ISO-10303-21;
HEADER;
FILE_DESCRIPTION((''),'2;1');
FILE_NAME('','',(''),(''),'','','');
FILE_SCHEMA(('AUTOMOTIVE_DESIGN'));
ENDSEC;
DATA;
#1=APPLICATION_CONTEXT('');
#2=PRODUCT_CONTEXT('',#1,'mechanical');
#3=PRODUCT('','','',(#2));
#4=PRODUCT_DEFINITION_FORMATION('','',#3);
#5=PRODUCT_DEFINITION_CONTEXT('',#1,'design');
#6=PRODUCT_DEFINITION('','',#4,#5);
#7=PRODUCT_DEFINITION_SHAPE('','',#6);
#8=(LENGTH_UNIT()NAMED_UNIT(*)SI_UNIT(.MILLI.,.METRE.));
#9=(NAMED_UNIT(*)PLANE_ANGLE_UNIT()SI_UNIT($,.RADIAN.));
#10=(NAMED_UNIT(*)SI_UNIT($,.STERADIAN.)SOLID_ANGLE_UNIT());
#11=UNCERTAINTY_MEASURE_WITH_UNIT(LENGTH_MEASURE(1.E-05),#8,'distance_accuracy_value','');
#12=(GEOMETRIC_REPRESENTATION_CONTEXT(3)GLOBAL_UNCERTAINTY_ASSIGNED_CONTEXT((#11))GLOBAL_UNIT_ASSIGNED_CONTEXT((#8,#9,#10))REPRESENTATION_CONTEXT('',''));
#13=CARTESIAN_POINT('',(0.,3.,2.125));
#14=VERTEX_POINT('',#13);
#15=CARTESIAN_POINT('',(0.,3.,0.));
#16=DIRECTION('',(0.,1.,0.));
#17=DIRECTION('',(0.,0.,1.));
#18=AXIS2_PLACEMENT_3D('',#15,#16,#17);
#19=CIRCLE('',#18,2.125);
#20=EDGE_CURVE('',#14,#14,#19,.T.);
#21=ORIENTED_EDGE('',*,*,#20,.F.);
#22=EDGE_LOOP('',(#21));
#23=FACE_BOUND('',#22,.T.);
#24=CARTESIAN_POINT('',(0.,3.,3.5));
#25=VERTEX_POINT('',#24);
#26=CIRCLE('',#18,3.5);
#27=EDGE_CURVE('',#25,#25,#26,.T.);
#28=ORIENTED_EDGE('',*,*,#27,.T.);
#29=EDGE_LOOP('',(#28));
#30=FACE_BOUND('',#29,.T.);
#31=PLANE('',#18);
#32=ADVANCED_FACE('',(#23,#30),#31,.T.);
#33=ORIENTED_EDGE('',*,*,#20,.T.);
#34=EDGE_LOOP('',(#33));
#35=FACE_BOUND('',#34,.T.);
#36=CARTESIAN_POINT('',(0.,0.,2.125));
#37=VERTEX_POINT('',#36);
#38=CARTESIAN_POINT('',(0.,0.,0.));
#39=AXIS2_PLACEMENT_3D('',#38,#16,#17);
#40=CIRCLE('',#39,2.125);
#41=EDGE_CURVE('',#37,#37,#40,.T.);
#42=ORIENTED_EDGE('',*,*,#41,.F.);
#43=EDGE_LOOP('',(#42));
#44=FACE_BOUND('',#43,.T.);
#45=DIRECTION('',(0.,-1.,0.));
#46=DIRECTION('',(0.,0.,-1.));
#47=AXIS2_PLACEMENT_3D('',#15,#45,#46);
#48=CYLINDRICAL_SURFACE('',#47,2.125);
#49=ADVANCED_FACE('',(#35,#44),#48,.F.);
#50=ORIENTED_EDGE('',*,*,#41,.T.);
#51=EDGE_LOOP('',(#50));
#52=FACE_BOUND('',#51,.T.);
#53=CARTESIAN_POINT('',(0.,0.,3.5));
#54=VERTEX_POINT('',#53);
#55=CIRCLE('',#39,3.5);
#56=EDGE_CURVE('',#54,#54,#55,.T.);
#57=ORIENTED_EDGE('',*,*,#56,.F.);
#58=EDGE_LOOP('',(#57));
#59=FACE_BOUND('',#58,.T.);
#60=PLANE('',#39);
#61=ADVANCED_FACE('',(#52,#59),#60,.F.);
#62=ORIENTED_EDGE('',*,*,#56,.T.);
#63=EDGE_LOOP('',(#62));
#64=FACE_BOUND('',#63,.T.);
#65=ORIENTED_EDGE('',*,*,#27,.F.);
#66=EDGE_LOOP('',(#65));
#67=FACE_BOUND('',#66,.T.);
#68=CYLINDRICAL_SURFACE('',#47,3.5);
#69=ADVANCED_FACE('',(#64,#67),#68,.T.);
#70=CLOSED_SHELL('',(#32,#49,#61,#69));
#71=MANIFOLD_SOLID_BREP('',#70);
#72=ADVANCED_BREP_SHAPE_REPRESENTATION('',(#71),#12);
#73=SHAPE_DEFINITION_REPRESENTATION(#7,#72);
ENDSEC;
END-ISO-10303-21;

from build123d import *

# Parameters (mm, degrees)
SKETCH1_R           = 3.5
SKETCH1_R_2         = 2.125
BOSS_EXTRUDE1_DEPTH = 3


with BuildPart() as part:
    # Sketch1 → Boss-Extrude1 (new body)
    with BuildSketch(Plane(origin=(0, 0, 0), x_dir=(1, 0, 0), z_dir=(0, 1, 0))):
        Circle(SKETCH1_R)
        Circle(SKETCH1_R_2, mode=Mode.SUBTRACT)
    extrude(amount=BOSS_EXTRUDE1_DEPTH)


solid = part.part
